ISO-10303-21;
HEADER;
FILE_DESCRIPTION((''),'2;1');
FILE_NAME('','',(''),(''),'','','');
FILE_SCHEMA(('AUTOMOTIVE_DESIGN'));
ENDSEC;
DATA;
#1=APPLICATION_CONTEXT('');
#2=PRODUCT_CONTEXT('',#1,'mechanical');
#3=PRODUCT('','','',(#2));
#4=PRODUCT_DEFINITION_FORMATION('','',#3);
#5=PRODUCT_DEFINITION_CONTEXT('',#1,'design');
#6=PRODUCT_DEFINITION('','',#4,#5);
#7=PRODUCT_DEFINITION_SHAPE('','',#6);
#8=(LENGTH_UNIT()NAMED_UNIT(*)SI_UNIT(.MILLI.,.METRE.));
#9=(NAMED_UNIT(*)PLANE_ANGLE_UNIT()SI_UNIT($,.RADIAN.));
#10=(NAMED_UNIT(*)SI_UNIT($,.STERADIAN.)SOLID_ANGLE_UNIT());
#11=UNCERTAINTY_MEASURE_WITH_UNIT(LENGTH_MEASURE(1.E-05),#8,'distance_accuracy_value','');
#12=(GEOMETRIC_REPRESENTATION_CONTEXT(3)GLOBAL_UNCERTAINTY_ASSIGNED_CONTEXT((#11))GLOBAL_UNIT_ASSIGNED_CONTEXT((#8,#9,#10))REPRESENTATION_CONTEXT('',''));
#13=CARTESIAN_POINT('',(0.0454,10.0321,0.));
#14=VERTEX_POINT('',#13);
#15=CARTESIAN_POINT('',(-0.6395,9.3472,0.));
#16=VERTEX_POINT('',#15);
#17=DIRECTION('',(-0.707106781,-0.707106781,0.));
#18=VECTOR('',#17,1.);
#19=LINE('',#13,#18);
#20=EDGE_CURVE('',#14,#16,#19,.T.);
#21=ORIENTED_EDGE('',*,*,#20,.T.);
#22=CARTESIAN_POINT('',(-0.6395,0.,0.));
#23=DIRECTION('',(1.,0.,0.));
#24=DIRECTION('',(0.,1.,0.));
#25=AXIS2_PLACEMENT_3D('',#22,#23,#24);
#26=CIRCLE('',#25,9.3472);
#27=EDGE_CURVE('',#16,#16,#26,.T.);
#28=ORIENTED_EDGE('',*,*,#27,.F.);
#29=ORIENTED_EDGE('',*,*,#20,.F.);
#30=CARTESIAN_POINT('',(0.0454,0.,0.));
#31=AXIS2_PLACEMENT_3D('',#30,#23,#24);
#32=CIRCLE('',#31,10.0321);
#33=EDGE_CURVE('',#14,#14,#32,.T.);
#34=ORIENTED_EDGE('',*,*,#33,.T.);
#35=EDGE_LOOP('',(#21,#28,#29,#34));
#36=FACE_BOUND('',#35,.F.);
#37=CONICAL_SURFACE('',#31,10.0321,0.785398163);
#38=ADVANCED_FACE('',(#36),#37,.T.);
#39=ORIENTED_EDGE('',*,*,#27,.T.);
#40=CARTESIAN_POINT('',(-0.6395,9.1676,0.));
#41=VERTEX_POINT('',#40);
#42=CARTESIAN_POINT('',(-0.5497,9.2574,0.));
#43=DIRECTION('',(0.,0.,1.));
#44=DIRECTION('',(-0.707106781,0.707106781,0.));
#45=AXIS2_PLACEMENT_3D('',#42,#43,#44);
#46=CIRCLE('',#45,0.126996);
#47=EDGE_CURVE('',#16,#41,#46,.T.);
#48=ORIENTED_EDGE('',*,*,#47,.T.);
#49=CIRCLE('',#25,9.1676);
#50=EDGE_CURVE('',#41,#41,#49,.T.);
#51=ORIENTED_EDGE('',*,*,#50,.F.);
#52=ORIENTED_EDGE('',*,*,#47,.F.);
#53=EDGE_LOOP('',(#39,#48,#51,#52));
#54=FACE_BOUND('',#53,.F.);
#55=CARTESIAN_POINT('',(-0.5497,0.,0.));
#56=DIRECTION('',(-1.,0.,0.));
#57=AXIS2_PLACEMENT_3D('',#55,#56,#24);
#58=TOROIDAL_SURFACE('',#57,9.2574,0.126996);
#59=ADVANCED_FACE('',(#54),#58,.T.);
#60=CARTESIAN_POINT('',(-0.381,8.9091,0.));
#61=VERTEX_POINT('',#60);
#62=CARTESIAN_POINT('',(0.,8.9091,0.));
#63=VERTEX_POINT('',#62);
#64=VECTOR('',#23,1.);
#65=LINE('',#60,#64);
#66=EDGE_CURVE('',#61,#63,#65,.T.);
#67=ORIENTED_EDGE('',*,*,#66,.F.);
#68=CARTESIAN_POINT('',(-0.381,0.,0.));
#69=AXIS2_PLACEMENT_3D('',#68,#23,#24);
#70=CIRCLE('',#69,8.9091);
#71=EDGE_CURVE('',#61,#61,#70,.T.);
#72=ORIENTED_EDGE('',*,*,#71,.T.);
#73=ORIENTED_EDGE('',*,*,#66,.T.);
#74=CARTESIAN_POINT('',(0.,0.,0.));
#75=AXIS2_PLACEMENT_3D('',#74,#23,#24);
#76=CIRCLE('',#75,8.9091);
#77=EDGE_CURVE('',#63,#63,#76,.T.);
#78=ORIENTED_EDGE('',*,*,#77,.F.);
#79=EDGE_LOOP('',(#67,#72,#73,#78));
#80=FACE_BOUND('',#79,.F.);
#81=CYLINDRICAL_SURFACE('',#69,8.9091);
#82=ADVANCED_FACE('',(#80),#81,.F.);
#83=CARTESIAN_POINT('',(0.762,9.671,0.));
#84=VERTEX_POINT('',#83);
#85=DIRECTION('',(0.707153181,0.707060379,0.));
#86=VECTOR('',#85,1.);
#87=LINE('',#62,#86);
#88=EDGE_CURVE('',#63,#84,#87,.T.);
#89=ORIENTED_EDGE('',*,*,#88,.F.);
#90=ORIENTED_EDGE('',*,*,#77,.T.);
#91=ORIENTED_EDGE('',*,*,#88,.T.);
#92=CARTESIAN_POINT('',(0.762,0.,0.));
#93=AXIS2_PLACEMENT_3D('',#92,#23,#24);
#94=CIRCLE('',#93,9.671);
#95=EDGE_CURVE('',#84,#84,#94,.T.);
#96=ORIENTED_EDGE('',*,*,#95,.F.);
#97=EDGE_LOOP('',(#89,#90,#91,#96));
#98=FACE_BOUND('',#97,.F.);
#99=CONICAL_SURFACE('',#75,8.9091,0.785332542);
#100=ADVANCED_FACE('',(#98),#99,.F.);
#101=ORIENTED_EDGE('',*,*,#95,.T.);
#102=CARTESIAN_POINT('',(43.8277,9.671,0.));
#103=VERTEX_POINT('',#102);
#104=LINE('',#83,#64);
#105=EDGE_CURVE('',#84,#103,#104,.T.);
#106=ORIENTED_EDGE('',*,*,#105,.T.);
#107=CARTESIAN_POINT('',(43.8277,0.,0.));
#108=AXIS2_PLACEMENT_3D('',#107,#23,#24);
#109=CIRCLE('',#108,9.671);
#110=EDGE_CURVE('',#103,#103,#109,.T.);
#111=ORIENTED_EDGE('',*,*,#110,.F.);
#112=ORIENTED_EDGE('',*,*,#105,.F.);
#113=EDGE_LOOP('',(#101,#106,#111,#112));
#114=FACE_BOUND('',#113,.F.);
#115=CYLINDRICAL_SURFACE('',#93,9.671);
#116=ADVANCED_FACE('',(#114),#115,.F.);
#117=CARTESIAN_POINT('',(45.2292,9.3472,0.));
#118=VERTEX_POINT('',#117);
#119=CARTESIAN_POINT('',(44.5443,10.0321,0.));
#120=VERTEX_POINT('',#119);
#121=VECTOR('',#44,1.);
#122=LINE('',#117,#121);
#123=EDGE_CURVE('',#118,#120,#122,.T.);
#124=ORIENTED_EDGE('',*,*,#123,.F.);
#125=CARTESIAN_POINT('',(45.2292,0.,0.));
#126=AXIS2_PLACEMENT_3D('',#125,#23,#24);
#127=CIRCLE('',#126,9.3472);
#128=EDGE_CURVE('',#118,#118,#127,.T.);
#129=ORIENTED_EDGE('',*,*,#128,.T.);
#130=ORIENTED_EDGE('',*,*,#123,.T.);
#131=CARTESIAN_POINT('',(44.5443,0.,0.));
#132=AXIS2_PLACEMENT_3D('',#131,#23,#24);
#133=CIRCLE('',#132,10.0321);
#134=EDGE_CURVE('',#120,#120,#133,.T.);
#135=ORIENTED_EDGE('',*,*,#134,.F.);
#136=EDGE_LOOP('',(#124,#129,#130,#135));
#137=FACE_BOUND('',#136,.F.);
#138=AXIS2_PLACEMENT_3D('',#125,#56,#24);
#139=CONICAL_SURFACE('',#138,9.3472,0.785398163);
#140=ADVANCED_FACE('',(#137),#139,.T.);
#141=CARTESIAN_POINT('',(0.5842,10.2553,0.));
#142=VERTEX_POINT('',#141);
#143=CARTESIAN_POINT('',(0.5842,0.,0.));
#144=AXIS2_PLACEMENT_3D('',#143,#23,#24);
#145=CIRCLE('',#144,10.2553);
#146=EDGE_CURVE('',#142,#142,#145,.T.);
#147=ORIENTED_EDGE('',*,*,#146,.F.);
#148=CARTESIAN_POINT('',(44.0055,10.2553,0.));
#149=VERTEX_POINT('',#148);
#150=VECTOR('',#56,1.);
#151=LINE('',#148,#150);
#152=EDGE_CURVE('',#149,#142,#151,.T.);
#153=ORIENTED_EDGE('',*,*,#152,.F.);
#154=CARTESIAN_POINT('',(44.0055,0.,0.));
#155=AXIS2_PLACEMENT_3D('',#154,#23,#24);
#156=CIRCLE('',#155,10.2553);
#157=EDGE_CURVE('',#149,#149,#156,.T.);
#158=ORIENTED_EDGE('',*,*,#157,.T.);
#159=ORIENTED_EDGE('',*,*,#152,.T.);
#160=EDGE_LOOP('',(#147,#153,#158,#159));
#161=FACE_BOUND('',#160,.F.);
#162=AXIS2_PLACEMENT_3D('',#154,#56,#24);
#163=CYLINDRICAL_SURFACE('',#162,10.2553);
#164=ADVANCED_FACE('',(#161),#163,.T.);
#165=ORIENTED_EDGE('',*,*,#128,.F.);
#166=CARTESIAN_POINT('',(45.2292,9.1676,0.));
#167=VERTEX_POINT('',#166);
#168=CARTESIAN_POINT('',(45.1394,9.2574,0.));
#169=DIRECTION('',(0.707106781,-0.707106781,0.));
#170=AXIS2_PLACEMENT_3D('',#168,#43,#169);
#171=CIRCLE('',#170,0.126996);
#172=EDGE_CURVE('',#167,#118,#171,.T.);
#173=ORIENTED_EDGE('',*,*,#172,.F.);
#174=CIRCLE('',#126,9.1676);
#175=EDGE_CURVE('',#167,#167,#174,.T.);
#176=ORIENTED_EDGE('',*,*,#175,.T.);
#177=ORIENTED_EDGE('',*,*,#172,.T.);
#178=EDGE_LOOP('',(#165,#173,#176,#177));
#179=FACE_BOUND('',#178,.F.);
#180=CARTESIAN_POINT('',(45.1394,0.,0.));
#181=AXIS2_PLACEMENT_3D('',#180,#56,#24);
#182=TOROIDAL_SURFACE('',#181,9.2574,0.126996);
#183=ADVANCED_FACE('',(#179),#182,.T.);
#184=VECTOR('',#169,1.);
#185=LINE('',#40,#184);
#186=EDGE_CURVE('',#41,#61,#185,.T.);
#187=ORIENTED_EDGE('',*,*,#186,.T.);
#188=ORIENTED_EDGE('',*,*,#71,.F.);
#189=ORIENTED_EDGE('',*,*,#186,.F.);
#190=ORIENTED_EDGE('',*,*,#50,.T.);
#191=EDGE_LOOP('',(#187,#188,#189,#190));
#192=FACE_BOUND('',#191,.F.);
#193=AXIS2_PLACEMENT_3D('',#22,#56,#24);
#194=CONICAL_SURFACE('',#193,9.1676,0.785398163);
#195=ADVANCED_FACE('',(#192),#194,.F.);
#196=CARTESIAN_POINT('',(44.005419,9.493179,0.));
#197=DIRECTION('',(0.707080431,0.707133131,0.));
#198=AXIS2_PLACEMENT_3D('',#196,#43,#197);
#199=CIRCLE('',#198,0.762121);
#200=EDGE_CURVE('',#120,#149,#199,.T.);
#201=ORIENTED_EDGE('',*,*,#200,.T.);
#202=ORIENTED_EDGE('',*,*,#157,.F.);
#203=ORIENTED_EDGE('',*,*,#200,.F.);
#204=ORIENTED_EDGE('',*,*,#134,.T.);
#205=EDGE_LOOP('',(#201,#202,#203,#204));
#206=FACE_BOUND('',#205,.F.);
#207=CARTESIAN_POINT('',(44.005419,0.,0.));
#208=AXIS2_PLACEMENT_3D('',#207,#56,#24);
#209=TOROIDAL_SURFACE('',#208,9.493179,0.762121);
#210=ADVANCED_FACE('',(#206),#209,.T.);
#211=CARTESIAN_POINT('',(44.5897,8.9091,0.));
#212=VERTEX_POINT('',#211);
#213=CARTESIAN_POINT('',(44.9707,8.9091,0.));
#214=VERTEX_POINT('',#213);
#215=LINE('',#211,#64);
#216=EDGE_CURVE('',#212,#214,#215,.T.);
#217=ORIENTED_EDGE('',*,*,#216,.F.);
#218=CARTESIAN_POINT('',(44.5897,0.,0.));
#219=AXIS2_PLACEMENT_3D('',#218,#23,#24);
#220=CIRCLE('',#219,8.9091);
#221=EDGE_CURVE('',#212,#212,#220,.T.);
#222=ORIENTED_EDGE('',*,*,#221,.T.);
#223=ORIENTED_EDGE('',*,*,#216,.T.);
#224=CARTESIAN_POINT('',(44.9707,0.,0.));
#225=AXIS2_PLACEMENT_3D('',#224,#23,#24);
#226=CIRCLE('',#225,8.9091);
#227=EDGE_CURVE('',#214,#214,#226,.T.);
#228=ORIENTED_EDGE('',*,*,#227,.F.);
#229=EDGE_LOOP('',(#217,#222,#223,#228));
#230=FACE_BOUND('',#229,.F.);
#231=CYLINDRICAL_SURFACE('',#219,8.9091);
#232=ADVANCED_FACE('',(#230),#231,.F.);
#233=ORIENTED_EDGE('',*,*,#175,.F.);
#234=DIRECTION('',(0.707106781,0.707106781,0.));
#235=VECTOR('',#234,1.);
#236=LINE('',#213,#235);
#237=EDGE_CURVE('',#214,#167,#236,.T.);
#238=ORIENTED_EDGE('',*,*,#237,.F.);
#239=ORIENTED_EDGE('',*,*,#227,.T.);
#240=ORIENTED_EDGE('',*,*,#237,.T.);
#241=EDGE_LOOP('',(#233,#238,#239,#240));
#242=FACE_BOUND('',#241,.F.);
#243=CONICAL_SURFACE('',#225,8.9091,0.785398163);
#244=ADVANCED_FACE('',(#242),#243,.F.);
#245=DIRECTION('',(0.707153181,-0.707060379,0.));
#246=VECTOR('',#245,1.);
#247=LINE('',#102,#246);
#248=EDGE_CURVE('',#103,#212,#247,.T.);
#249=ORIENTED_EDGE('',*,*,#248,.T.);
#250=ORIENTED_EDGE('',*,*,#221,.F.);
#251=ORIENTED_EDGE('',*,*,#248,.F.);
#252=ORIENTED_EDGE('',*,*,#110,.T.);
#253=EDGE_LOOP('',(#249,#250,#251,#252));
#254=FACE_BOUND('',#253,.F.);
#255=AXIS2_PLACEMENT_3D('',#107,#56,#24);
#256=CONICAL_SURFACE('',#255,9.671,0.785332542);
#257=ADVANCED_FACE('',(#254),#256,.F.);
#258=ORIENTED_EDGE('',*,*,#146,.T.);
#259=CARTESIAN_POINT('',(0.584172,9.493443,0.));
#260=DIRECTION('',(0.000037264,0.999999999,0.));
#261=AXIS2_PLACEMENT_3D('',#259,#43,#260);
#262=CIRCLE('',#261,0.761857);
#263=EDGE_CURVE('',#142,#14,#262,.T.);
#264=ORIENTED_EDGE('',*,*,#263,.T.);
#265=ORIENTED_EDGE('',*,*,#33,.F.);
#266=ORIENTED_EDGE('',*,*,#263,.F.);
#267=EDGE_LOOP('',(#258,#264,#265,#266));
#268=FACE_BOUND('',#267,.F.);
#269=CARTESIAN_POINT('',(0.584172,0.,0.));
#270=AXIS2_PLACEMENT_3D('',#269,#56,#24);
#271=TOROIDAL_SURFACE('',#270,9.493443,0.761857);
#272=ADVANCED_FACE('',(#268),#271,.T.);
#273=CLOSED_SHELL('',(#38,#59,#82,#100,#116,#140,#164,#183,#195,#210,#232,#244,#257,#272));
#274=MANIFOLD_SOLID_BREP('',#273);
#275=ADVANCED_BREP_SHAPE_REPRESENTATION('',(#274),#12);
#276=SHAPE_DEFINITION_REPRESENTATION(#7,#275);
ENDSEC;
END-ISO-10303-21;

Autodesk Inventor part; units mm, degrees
sketch "Sketch_1" plane through (0, 0, 0) normal (0, 0, 1) x (1, 0, 0)
  line L0 (44.5897, 0) -> (0, 0)
  arc A0 (-0.6395, 9.3472) -> (-0.6395, 9.1676) centre (-0.5497, 9.2574) ccw
  line L1 (-0.6395, 9.1676) -> (-0.381, 8.9091)
  line L2 (-0.381, 8.9091) -> (0, 8.9091)
  line L3 (0, 8.9091) -> (0.762, 9.671)
  line L4 (0.762, 9.671) -> (43.8277, 9.671)
  line L5 (43.8277, 9.671) -> (44.5897, 8.9091)
  line L6 (44.5897, 8.9091) -> (44.9707, 8.9091)
  line L7 (44.9707, 8.9091) -> (45.2292, 9.1676)
  arc A1 (45.2292, 9.1676) -> (45.2292, 9.3472) centre (45.1394, 9.2574) ccw
  line L8 (45.2292, 9.3472) -> (44.5443, 10.0321)
  arc A2 (44.5443, 10.0321) -> (44.0055, 10.2553) centre (44.0055, 9.4933) ccw
  line L9 (44.0055, 10.2553) -> (0.5842, 10.2553)
  arc A3 (0.5842, 10.2553) -> (0.0454, 10.0321) centre (0.5842, 9.4933) ccw
  line L10 (0.0454, 10.0321) -> (-0.6395, 9.3472)
revolve "Revolution1" add sketch "Sketch_1" angle 360 about axis through (44.5897, 0, 0) along (1, 0, 0)
ref_plane "cp1_XY" through (22.2949, 10.2553, 0) normal (1, 0, 0) x (0, 0, -1)
ref_plane "cp1_YZ" through (22.2949, 10.2553, 0) normal (0, 0, -1) x (0, 1, 0)
ref_plane "cp1_ZX" through (22.2949, 10.2553, 0) normal (0, 1, 0) x (1, 0, 0)
ref_plane "cp2_XY" through (22.2949, 0, -10.2553) normal (1, 0, 0) x (0, 0, -1)
ref_plane "cp2_YZ" through (22.2949, 0, -10.2553) normal (0, 0, -1) x (0, 1, 0)
ref_plane "cp2_ZX" through (22.2949, 0, -10.2553) normal (0, 1, 0) x (1, 0, 0)
ref_plane "cp3_XY" through (22.2949, -10.2553, 0) normal (1, 0, 0) x (0, 0, -1)
ref_plane "cp3_YZ" through (22.2949, -10.2553, 0) normal (0, 0, -1) x (0, 1, 0)
ref_plane "cp3_ZX" through (22.2949, -10.2553, 0) normal (0, 1, 0) x (1, 0, 0)
ref_plane "cp4_XY" through (22.2949, 0, 10.2553) normal (1, 0, 0) x (0, 0, -1)
ref_plane "cp4_YZ" through (22.2949, 0, 10.2553) normal (0, 0, -1) x (0, 1, 0)
ref_plane "cp4_ZX" through (22.2949, 0, 10.2553) normal (0, 1, 0) x (1, 0, 0)
ref_plane "tube_front_XY" through (0, 0, 0) normal (1, 0, 0) x (0, 0, -1)
ref_plane "tube_front_YZ" through (0, 0, 0) normal (0, 0, -1) x (0, 1, 0)
ref_plane "tube_front_ZX" through (0, 0, 0) normal (0, 1, 0) x (1, 0, 0)
ref_plane "tube_rear_XY" through (44.5897, 0, 0) normal (1, 0, 0) x (0, 0, -1)
ref_plane "tube_rear_YZ" through (44.5897, 0, 0) normal (0, 0, -1) x (0, 1, 0)
ref_plane "tube_rear_ZX" through (44.5897, 0, 0) normal (0, 1, 0) x (1, 0, 0)
properties part number "04R-1.75550C"
